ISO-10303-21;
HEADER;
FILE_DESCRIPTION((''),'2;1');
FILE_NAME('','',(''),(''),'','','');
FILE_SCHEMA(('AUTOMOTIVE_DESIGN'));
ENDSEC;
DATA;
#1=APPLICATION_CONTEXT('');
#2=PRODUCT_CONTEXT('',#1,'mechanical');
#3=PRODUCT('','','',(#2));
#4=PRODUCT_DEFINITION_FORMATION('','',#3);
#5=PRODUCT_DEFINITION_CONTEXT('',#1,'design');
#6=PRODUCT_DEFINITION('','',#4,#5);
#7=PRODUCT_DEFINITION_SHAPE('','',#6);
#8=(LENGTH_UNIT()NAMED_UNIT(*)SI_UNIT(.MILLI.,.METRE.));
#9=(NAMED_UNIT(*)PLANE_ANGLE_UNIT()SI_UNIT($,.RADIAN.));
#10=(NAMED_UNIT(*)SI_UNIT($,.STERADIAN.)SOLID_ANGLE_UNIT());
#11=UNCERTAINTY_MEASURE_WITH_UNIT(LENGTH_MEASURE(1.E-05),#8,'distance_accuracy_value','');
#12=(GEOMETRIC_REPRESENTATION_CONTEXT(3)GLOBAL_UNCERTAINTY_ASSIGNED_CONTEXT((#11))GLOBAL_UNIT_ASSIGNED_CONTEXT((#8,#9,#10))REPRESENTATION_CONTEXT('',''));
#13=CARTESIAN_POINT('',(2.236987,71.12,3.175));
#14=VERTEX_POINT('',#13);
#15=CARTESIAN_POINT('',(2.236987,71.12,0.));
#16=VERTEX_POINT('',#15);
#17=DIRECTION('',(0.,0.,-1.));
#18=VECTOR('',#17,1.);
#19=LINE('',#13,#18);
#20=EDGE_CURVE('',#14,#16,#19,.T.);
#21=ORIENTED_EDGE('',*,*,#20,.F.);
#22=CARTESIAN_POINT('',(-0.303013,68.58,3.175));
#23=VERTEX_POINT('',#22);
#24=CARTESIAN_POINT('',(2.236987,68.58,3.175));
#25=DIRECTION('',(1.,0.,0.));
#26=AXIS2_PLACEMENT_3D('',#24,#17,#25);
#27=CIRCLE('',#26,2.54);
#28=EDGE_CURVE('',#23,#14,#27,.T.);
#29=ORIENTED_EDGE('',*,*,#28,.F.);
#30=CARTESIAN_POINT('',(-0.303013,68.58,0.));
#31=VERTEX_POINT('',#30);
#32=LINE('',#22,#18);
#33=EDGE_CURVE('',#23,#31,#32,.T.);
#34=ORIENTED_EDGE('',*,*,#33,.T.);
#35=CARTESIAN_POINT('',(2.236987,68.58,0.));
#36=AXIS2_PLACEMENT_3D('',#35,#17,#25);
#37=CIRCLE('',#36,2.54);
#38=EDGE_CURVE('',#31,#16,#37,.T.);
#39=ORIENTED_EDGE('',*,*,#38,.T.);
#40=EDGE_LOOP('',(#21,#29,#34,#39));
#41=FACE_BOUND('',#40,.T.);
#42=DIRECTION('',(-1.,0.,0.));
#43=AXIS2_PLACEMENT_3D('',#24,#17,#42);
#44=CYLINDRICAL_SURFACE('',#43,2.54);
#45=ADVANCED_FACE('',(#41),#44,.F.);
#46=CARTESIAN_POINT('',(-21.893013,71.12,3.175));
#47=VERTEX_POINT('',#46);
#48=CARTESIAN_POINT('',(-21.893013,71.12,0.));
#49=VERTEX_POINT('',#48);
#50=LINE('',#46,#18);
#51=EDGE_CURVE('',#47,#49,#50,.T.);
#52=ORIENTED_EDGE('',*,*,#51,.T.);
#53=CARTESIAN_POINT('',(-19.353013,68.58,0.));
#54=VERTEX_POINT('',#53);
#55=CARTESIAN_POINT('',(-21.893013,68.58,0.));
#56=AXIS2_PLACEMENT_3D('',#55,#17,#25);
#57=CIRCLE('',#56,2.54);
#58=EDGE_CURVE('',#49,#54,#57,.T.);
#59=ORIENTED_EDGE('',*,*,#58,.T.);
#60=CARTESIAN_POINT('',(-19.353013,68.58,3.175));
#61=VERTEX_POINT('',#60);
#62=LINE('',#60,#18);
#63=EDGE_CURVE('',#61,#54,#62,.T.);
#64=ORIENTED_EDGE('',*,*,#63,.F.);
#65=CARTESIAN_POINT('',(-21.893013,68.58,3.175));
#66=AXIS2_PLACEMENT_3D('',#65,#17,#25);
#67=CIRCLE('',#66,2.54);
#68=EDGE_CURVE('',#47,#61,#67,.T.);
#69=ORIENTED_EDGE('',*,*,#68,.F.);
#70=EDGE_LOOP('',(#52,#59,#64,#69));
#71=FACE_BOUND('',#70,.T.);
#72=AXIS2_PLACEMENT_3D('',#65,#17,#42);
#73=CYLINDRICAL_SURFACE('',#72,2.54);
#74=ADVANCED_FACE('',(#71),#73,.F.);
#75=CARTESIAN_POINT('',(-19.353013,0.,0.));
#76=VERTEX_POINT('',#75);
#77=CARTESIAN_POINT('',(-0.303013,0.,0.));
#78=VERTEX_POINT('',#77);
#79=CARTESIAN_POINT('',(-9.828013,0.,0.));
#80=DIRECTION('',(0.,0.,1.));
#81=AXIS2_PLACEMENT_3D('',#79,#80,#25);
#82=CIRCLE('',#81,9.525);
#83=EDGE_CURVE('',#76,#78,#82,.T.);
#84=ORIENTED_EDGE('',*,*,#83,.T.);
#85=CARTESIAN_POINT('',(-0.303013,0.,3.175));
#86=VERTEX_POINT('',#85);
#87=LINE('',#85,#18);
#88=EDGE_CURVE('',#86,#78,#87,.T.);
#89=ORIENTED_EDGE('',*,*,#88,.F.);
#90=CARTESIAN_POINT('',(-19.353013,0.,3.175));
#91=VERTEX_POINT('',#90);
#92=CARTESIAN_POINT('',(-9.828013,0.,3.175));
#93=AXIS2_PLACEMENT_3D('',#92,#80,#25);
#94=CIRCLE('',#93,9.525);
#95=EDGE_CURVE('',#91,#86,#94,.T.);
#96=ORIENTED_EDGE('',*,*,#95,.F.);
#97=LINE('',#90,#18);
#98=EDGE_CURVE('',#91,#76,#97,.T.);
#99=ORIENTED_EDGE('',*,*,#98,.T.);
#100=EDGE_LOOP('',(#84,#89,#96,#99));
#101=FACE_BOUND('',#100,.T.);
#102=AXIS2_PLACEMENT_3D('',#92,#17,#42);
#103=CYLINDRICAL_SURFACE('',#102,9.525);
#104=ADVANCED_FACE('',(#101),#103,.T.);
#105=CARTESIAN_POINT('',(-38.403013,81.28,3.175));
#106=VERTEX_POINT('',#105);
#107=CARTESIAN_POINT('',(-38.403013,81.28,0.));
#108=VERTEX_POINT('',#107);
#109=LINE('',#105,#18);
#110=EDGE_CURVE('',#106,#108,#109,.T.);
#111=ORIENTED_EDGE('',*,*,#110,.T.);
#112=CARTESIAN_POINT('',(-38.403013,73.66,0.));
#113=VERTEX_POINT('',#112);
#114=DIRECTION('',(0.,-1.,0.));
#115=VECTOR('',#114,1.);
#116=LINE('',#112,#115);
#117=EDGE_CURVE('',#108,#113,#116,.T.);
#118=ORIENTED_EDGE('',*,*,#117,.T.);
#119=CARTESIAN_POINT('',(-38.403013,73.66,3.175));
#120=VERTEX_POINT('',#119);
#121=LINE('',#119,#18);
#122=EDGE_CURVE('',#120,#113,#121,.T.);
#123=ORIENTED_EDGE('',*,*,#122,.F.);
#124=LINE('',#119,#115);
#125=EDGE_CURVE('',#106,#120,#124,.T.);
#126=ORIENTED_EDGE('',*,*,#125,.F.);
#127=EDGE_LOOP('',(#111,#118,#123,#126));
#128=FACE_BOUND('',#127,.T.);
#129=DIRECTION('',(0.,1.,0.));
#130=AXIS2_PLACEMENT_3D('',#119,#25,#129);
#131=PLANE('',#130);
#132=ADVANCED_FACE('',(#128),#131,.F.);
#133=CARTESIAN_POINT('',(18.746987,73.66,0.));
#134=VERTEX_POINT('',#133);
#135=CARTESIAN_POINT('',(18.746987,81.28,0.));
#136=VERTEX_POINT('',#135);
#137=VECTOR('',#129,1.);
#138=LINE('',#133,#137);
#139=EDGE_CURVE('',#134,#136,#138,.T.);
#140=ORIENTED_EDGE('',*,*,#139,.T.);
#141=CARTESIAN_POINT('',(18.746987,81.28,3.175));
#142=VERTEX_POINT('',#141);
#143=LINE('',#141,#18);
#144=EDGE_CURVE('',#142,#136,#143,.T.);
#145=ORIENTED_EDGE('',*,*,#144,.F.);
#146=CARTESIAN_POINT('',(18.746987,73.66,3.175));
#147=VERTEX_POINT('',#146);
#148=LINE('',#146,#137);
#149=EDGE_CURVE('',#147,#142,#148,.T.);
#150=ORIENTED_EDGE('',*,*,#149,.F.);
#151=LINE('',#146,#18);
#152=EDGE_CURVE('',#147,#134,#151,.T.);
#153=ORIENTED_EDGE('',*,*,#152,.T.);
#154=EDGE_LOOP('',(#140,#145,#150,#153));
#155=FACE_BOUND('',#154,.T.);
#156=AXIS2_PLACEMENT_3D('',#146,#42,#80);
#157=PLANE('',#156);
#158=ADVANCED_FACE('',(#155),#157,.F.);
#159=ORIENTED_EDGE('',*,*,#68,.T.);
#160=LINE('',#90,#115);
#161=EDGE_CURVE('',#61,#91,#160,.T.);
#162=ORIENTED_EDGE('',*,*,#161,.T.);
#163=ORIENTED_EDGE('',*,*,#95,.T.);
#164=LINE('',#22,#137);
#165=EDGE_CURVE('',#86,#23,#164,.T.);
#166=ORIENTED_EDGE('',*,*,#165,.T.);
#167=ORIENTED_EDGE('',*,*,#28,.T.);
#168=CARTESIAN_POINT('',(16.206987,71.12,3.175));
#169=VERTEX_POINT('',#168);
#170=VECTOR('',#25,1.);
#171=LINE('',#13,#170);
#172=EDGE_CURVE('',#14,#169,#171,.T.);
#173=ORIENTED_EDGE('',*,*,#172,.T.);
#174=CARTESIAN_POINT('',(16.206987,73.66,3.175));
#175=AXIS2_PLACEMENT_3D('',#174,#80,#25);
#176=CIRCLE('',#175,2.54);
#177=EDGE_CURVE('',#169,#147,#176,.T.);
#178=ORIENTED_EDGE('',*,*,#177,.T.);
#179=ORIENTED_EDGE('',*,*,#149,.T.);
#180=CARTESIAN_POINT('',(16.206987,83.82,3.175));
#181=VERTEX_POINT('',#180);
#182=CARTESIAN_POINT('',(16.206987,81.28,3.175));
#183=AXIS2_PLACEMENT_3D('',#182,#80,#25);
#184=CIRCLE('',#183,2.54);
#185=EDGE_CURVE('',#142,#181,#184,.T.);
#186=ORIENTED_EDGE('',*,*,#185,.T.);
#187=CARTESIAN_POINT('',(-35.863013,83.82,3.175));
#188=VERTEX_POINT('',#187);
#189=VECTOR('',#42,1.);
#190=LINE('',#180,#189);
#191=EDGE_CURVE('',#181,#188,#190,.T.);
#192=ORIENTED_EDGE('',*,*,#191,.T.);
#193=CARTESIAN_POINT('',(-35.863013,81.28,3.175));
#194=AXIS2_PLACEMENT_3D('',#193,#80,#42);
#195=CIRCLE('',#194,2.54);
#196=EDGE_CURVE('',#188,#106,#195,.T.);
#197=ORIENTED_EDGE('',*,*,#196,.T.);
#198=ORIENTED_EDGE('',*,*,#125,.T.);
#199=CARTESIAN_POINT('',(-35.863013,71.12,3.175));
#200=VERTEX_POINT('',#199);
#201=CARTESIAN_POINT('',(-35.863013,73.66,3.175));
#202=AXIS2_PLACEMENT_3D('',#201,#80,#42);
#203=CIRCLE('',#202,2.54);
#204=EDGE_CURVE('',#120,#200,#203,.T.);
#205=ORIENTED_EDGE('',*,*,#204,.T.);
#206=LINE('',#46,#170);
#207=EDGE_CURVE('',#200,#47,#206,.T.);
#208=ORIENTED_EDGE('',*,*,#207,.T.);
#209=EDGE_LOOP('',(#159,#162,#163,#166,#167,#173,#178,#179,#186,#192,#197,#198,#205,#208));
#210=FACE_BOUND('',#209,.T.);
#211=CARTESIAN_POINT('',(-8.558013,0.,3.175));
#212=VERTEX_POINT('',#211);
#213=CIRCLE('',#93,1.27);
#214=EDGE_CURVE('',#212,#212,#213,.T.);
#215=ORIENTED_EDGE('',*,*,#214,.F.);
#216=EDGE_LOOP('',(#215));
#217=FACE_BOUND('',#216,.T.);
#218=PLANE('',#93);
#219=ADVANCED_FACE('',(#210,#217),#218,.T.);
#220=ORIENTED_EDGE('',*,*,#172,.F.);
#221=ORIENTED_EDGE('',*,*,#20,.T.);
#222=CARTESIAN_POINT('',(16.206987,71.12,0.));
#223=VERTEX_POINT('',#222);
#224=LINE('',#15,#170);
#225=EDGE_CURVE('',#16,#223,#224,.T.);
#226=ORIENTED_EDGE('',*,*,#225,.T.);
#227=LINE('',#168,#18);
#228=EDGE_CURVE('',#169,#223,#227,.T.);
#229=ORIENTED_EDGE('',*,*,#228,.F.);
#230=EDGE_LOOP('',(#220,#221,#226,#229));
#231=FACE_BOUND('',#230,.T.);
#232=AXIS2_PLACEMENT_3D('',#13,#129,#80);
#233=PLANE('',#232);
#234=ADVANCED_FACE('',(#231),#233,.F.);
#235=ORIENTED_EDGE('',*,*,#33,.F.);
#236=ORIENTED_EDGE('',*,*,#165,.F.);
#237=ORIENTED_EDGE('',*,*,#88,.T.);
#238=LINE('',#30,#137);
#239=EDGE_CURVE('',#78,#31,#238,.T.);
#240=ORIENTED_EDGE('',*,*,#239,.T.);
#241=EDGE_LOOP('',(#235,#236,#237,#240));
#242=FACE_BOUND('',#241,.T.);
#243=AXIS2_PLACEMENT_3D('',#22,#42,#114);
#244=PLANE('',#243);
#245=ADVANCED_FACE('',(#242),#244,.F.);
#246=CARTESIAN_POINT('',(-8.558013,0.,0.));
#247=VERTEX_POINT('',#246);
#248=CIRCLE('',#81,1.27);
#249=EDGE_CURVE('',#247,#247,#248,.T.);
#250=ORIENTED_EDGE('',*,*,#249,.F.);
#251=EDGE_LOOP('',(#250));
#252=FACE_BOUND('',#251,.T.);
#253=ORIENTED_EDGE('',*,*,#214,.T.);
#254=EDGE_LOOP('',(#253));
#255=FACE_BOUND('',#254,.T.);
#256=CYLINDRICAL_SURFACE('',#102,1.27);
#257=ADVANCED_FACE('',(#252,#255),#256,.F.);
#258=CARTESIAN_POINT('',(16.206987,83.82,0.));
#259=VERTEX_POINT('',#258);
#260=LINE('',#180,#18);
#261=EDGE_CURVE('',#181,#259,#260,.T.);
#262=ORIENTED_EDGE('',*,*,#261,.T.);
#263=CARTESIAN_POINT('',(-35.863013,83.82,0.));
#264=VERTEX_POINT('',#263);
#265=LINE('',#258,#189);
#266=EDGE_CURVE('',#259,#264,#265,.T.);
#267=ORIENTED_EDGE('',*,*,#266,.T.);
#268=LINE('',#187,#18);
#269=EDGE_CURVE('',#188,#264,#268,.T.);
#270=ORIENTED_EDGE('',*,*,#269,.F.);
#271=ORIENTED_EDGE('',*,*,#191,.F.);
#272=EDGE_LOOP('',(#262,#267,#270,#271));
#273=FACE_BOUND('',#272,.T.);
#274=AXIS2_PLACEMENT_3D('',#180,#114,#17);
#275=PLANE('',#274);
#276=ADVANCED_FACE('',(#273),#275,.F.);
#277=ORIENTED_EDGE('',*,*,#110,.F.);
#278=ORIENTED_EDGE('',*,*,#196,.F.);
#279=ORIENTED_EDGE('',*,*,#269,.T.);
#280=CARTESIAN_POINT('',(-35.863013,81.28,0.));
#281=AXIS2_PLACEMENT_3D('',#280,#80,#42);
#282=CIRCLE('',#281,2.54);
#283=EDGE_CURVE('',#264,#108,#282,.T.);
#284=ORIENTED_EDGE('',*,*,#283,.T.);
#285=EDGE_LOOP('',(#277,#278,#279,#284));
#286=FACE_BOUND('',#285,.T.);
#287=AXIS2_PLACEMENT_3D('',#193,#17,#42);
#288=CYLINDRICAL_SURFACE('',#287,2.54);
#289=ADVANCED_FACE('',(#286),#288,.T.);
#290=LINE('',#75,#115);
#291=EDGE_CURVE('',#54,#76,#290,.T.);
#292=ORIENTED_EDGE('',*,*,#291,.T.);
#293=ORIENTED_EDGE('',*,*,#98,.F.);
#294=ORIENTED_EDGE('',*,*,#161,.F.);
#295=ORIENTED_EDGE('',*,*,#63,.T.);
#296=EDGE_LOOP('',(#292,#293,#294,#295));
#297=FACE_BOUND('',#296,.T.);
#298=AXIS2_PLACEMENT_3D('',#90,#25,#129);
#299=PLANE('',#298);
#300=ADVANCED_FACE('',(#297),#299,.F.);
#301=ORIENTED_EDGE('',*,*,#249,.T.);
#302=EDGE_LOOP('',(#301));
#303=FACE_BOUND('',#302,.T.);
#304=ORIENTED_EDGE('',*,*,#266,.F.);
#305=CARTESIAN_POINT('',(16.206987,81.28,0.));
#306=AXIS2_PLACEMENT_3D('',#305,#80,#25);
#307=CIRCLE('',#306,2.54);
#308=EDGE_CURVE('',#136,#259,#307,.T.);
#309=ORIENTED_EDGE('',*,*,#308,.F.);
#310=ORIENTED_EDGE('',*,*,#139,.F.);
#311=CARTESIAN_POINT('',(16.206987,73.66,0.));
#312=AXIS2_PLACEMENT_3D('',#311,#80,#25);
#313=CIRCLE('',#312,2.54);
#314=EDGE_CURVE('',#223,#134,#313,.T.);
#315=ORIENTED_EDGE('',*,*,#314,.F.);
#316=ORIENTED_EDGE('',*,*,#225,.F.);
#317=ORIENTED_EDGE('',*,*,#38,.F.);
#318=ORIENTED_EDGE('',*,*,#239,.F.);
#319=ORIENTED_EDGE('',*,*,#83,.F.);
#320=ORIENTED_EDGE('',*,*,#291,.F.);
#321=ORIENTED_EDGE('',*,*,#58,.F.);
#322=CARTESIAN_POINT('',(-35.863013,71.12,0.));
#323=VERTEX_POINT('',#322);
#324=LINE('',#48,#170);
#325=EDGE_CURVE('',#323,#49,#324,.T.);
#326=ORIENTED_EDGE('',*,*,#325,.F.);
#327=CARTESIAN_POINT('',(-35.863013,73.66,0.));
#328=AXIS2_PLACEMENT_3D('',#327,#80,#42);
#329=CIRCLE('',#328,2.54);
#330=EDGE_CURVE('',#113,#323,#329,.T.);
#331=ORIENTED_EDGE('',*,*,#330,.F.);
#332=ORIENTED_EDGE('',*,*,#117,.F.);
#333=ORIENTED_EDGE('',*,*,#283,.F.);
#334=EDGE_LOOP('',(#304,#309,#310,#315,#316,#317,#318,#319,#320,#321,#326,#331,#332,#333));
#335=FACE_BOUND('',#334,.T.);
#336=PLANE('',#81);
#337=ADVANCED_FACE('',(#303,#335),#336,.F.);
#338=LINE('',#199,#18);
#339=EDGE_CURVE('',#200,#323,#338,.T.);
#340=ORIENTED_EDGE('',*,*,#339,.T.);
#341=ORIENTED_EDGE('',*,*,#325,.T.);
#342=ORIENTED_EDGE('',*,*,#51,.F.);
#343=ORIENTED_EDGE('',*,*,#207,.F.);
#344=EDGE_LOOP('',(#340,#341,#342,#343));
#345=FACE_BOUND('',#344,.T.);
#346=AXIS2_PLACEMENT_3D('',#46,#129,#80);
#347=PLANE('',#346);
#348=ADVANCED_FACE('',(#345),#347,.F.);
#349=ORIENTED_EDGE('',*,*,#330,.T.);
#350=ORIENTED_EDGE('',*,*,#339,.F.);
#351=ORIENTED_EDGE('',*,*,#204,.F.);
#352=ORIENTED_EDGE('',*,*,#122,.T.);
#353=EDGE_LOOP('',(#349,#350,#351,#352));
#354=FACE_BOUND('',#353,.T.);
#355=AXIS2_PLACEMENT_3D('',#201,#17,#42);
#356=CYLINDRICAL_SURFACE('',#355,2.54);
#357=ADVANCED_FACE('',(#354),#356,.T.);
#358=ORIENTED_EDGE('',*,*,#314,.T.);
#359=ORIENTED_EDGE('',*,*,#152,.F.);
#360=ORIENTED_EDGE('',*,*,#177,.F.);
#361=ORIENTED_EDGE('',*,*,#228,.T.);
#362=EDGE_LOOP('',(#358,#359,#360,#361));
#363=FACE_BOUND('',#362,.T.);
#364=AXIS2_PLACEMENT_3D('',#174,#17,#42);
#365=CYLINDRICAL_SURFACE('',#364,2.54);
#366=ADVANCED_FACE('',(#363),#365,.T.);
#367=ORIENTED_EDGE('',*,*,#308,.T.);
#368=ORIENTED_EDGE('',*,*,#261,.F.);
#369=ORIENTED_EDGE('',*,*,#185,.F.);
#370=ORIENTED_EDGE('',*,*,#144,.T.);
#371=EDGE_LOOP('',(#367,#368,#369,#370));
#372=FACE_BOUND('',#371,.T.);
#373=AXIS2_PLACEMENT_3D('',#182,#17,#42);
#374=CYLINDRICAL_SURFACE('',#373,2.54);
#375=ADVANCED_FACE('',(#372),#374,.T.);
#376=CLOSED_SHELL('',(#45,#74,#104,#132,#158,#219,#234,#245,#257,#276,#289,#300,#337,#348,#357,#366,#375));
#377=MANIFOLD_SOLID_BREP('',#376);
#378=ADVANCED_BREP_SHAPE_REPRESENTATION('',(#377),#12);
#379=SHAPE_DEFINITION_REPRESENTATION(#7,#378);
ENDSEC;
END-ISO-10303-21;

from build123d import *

# Parameters (mm, degrees)
SKETCH1_R           = 1.27
BOSS_EXTRUDE1_DEPTH = 3.175


with BuildPart() as part:
    # Sketch1 → Boss-Extrude1 (new body)
    with BuildSketch(Plane.XY):
        with BuildLine():
            Line((-19.353012887, 0), (-19.353012887, 68.58))
            ThreePointArc((-19.353012887, 68.58), (-20.096961663, 70.376051224), (-21.893012887, 71.12))
            Line((-21.893012887, 71.12), (-35.863012887, 71.12))
            ThreePointArc((-35.863012887, 71.12), (-37.659064112, 71.863948776), (-38.403012887, 73.66))
            Line((-38.403012887, 73.66), (-38.403012887, 81.28))
            ThreePointArc((-38.403012887, 81.28), (-37.659064112, 83.076051224), (-35.863012887, 83.82))
            Line((-35.863012887, 83.82), (16.206987113, 83.82))
            ThreePointArc((16.206987113, 83.82), (18.003038337, 83.076051224), (18.746987113, 81.28))
            Line((18.746987113, 81.28), (18.746987113, 73.66))
            ThreePointArc((18.746987113, 73.66), (18.003038337, 71.863948776), (16.206987113, 71.12))
            Line((16.206987113, 71.12), (2.236987113, 71.12))
            ThreePointArc((2.236987113, 71.12), (0.440935888, 70.376051224), (-0.303012887, 68.58))
            Line((-0.303012887, 68.58), (-0.303012887, 0))
            ThreePointArc((-0.303012887, 0), (-9.828012887, -9.525), (-19.353012887, 0))
        make_face()
        with Locations((-9.828012887, 0)):
            Circle(SKETCH1_R, mode=Mode.SUBTRACT)
    extrude(amount=BOSS_EXTRUDE1_DEPTH)


solid = part.part
